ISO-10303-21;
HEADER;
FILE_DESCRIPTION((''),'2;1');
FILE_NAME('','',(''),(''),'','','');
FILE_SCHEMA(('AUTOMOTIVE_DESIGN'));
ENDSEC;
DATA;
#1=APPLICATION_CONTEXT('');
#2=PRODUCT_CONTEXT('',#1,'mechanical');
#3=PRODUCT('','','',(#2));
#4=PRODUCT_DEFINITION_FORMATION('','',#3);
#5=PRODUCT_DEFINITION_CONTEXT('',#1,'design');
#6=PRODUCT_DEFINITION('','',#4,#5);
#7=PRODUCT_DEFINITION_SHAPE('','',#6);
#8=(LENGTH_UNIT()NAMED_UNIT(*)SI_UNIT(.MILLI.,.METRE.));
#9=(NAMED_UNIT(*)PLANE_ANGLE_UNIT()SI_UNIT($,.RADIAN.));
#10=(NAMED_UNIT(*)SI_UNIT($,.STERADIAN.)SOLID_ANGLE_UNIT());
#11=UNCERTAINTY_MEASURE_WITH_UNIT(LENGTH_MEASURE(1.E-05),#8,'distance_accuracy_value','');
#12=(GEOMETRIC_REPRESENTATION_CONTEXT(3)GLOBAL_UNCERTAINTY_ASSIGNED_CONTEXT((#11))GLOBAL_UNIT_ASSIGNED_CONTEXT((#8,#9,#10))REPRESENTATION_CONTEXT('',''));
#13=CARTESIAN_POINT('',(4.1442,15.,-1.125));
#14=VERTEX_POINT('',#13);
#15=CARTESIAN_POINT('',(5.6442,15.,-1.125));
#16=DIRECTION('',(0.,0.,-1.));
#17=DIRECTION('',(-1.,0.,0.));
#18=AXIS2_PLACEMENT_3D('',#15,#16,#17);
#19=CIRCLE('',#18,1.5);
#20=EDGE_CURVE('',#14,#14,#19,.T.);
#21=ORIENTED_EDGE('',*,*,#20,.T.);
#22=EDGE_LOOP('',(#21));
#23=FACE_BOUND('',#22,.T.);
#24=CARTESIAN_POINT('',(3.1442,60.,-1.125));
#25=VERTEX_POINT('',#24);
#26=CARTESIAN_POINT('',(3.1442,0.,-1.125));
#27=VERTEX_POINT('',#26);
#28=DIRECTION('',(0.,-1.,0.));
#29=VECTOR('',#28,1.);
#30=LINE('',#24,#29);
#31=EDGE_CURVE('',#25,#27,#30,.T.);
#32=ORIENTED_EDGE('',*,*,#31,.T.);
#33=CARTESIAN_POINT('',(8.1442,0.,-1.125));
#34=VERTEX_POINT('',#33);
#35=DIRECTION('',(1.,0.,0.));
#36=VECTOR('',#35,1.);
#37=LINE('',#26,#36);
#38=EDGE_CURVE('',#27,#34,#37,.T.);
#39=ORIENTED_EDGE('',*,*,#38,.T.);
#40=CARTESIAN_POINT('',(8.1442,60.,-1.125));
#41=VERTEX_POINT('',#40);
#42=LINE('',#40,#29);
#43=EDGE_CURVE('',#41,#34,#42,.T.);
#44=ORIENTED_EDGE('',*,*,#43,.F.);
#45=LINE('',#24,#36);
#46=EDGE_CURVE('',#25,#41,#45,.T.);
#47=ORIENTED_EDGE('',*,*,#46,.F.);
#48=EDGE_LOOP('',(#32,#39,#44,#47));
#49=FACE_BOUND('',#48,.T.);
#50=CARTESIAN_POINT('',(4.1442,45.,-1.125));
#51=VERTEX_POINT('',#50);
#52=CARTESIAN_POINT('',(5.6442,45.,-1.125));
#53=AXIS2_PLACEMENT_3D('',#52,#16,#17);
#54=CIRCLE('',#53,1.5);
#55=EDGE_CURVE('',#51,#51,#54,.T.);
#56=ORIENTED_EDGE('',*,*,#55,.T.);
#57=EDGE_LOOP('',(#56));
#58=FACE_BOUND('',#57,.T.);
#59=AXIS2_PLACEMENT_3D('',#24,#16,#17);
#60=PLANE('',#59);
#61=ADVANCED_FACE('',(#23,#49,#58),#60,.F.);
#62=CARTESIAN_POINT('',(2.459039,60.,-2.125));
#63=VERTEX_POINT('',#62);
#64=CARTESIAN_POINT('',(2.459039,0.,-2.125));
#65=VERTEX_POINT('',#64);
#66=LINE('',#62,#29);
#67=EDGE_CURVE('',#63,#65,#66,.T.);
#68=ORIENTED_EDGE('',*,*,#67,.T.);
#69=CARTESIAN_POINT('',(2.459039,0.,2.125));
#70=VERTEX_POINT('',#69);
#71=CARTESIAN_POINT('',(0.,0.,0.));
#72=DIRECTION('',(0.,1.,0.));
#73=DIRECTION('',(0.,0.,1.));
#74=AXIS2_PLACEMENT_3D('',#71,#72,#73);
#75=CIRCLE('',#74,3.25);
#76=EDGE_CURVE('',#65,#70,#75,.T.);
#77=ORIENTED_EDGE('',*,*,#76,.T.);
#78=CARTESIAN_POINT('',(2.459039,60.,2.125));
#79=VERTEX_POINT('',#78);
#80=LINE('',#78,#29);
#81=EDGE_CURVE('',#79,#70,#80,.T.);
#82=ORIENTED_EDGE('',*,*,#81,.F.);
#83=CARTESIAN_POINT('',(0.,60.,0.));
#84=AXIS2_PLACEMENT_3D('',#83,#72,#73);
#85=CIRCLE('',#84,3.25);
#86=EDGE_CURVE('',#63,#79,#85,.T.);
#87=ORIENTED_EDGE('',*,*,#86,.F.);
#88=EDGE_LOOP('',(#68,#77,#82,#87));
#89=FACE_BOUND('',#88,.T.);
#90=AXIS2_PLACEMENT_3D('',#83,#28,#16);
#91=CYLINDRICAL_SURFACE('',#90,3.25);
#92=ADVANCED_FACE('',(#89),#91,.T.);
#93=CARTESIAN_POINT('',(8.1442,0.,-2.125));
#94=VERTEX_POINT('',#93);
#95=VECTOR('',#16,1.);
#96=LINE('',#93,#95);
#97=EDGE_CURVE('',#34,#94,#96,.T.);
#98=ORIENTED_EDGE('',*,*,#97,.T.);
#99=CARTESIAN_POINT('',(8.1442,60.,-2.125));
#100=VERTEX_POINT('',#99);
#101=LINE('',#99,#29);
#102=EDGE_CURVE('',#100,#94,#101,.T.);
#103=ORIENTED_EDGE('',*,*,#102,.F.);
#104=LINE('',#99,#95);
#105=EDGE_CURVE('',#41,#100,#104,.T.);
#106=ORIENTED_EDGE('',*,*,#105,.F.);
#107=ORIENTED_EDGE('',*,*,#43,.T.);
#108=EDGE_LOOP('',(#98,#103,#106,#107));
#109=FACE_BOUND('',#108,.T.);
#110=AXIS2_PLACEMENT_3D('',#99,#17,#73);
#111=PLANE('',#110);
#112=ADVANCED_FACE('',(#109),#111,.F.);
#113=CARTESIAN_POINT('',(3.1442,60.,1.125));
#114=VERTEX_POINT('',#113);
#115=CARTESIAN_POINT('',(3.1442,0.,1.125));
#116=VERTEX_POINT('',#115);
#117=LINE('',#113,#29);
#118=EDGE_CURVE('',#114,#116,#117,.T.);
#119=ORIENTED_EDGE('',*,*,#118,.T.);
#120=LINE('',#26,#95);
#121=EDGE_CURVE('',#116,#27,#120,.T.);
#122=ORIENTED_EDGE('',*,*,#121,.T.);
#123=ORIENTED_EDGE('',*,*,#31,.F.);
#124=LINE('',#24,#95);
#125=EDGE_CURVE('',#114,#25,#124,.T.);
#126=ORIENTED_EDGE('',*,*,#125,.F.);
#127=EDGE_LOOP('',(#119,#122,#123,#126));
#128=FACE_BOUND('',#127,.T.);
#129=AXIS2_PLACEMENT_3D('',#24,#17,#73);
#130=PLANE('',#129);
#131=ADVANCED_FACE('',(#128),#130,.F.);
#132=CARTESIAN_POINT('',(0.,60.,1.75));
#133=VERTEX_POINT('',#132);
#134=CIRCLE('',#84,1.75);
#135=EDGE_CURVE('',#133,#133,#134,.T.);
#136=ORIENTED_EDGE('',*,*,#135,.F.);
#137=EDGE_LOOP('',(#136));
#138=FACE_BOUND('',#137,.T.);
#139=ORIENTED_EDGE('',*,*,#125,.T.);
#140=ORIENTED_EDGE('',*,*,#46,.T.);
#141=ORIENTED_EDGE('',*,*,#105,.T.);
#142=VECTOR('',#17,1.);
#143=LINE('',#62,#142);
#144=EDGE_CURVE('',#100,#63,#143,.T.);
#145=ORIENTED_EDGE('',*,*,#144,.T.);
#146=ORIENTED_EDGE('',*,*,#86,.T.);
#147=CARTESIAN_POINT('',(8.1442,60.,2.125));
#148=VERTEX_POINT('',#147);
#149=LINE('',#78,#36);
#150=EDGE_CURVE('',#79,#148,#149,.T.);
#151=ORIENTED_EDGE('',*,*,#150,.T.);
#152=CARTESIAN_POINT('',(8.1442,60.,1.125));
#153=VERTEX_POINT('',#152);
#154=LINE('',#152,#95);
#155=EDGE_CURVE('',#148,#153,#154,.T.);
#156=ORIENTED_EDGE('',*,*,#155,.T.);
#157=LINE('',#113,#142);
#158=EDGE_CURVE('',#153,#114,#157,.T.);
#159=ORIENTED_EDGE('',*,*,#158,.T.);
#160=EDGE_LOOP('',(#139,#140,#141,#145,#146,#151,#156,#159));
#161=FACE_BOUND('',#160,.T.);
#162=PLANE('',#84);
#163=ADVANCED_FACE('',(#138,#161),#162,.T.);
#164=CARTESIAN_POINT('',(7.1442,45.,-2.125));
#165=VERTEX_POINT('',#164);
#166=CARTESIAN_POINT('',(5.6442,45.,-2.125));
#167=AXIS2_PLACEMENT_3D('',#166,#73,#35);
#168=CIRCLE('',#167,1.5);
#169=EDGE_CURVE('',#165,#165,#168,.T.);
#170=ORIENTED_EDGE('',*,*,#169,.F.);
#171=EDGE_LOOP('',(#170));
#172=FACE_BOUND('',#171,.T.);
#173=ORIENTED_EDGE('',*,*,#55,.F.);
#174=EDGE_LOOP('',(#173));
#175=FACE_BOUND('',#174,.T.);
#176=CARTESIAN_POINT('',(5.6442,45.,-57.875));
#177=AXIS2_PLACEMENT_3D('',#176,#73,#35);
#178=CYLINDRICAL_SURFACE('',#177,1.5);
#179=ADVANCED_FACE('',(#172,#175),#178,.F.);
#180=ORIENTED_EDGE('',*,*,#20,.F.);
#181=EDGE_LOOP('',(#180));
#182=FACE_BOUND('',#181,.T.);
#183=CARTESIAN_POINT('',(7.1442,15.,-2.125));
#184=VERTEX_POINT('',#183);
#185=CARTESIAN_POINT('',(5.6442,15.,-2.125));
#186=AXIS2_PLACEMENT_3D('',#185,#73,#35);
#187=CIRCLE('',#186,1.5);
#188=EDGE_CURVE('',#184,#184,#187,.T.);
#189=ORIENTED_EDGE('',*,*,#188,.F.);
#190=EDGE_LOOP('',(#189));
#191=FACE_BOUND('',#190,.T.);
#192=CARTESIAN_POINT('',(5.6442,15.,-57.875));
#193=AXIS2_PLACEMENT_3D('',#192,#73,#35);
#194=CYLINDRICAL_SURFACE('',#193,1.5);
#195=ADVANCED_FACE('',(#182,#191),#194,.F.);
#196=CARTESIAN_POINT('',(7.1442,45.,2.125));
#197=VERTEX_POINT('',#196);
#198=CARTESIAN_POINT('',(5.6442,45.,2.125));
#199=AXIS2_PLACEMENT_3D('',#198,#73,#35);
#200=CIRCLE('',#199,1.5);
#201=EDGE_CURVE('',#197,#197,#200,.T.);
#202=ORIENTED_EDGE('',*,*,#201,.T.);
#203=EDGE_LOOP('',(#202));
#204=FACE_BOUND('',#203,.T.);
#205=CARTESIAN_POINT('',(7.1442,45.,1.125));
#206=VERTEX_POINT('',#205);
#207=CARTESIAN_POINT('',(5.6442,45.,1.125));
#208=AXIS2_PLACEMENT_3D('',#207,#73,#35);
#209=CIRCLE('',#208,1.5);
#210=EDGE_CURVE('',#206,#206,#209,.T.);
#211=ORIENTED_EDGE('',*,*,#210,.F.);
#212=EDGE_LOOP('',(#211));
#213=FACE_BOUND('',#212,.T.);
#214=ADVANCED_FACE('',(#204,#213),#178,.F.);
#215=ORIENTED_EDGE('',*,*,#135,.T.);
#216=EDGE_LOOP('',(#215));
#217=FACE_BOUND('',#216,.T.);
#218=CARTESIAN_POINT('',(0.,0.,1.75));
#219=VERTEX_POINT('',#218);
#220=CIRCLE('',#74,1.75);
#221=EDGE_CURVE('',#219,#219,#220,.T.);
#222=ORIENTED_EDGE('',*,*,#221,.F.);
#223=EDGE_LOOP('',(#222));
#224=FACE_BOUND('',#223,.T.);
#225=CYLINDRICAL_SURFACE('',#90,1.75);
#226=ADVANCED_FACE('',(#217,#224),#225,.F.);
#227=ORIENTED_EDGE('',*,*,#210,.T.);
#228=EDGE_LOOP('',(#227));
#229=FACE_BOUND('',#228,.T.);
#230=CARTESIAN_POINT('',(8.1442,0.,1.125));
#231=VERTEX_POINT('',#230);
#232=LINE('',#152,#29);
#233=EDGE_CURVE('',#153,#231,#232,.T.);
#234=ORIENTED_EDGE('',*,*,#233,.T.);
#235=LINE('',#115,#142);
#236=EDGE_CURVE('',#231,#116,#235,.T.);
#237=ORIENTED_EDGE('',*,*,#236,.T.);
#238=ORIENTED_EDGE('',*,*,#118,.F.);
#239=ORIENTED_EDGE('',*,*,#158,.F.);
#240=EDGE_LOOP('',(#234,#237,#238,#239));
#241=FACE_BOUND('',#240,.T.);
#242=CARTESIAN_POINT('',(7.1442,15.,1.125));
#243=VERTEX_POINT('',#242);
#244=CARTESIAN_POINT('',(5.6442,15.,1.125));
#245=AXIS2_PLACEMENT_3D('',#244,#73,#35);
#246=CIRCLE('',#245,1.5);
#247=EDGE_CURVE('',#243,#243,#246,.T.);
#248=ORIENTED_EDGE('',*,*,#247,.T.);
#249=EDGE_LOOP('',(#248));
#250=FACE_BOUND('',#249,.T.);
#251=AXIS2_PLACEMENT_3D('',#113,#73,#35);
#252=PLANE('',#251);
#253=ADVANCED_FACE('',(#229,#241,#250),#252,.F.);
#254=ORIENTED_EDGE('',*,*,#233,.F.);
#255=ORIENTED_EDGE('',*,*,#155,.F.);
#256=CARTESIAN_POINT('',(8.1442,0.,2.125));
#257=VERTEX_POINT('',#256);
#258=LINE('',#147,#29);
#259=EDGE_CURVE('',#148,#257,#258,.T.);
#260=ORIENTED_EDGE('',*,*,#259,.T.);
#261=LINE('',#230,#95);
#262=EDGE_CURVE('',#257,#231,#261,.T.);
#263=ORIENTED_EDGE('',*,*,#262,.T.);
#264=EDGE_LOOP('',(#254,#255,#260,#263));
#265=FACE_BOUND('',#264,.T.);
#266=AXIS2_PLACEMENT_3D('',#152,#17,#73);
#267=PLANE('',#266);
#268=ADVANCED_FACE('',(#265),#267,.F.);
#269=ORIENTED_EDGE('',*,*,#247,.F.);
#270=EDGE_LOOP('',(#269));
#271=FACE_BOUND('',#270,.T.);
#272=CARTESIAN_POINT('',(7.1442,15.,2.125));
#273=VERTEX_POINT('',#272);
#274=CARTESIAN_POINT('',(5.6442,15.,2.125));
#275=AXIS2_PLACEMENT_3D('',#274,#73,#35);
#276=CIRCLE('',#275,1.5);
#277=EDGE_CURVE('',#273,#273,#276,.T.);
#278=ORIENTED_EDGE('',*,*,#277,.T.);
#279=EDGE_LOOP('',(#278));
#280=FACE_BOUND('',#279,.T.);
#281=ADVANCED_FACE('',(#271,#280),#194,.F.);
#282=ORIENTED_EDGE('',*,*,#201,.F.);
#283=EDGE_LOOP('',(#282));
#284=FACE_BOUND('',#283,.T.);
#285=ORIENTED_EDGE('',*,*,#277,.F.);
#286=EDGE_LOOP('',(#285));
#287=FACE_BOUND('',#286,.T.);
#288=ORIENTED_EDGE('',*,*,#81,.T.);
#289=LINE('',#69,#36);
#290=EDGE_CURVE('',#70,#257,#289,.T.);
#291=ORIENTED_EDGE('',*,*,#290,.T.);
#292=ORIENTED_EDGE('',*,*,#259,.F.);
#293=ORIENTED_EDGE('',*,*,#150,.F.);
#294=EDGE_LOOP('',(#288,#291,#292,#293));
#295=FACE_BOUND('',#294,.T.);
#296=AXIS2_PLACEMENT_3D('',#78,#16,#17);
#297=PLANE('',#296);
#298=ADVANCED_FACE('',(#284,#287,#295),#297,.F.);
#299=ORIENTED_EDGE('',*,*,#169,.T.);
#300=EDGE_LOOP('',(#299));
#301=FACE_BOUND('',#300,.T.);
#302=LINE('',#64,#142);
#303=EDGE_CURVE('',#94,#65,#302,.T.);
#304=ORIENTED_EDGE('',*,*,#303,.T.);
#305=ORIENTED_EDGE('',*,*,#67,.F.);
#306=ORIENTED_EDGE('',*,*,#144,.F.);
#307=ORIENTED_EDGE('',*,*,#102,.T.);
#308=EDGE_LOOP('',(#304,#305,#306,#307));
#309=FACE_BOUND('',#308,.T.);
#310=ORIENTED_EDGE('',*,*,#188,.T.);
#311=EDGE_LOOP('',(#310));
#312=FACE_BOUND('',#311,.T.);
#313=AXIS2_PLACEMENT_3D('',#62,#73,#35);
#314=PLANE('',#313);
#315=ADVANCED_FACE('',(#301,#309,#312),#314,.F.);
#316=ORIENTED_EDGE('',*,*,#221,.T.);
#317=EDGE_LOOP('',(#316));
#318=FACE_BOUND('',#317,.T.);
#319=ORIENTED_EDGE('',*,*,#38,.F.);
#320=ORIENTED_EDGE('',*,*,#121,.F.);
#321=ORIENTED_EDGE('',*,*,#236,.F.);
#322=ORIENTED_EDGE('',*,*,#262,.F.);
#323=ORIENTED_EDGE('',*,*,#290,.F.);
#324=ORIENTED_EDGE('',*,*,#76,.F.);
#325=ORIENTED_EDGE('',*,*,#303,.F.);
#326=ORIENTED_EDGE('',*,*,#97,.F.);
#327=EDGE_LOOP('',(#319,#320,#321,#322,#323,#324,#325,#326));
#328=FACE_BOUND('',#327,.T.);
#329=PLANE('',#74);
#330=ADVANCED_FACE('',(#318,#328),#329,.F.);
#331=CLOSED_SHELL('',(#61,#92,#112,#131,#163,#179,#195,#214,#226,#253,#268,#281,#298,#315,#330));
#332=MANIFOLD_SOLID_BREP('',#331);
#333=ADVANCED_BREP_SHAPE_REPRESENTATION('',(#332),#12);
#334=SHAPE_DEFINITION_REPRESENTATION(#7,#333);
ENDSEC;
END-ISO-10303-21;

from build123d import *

# Parameters (mm, degrees)
SKETCH1_R           = 1.75
BOSS_EXTRUDE1_DEPTH = 60
SKETCH2_R           = 1.5
CUT_EXTRUDE1_DEPTH  = 60


with BuildPart() as part:
    # Sketch1 → Boss-Extrude1 (new body)
    with BuildSketch(Plane(origin=(0, 0, 0), x_dir=(1, 0, 0), z_dir=(0, 1, 0))):
        with BuildLine():
            Line((8.14420001, -1.125), (8.14420001, -2.125))
            Line((8.14420001, -2.125), (2.459039447, -2.125))
            ThreePointArc((2.459039447, -2.125), (-3.25, 0), (2.459039447, 2.125))
            Line((2.459039447, 2.125), (8.14420001, 2.125))
            Line((8.14420001, 2.125), (8.14420001, 1.125))
            Line((8.14420001, 1.125), (3.14420001, 1.125))
            Line((3.14420001, 1.125), (3.14420001, -1.125))
            Line((3.14420001, -1.125), (8.14420001, -1.125))
        make_face()
        with Locations(Location((0, 0, 0), (0, 0, 270))):
            Circle(SKETCH1_R, mode=Mode.SUBTRACT)
    extrude(amount=BOSS_EXTRUDE1_DEPTH)

    # Sketch2 → Cut-Extrude1 (cut)
    with BuildSketch(Plane.XY.offset(2.125)):
        with Locations((5.64420001, 45)):
            Circle(SKETCH2_R)
        with Locations((5.64420001, 15)):
            Circle(SKETCH2_R)
    extrude(amount=-CUT_EXTRUDE1_DEPTH, mode=Mode.SUBTRACT)


solid = part.part
